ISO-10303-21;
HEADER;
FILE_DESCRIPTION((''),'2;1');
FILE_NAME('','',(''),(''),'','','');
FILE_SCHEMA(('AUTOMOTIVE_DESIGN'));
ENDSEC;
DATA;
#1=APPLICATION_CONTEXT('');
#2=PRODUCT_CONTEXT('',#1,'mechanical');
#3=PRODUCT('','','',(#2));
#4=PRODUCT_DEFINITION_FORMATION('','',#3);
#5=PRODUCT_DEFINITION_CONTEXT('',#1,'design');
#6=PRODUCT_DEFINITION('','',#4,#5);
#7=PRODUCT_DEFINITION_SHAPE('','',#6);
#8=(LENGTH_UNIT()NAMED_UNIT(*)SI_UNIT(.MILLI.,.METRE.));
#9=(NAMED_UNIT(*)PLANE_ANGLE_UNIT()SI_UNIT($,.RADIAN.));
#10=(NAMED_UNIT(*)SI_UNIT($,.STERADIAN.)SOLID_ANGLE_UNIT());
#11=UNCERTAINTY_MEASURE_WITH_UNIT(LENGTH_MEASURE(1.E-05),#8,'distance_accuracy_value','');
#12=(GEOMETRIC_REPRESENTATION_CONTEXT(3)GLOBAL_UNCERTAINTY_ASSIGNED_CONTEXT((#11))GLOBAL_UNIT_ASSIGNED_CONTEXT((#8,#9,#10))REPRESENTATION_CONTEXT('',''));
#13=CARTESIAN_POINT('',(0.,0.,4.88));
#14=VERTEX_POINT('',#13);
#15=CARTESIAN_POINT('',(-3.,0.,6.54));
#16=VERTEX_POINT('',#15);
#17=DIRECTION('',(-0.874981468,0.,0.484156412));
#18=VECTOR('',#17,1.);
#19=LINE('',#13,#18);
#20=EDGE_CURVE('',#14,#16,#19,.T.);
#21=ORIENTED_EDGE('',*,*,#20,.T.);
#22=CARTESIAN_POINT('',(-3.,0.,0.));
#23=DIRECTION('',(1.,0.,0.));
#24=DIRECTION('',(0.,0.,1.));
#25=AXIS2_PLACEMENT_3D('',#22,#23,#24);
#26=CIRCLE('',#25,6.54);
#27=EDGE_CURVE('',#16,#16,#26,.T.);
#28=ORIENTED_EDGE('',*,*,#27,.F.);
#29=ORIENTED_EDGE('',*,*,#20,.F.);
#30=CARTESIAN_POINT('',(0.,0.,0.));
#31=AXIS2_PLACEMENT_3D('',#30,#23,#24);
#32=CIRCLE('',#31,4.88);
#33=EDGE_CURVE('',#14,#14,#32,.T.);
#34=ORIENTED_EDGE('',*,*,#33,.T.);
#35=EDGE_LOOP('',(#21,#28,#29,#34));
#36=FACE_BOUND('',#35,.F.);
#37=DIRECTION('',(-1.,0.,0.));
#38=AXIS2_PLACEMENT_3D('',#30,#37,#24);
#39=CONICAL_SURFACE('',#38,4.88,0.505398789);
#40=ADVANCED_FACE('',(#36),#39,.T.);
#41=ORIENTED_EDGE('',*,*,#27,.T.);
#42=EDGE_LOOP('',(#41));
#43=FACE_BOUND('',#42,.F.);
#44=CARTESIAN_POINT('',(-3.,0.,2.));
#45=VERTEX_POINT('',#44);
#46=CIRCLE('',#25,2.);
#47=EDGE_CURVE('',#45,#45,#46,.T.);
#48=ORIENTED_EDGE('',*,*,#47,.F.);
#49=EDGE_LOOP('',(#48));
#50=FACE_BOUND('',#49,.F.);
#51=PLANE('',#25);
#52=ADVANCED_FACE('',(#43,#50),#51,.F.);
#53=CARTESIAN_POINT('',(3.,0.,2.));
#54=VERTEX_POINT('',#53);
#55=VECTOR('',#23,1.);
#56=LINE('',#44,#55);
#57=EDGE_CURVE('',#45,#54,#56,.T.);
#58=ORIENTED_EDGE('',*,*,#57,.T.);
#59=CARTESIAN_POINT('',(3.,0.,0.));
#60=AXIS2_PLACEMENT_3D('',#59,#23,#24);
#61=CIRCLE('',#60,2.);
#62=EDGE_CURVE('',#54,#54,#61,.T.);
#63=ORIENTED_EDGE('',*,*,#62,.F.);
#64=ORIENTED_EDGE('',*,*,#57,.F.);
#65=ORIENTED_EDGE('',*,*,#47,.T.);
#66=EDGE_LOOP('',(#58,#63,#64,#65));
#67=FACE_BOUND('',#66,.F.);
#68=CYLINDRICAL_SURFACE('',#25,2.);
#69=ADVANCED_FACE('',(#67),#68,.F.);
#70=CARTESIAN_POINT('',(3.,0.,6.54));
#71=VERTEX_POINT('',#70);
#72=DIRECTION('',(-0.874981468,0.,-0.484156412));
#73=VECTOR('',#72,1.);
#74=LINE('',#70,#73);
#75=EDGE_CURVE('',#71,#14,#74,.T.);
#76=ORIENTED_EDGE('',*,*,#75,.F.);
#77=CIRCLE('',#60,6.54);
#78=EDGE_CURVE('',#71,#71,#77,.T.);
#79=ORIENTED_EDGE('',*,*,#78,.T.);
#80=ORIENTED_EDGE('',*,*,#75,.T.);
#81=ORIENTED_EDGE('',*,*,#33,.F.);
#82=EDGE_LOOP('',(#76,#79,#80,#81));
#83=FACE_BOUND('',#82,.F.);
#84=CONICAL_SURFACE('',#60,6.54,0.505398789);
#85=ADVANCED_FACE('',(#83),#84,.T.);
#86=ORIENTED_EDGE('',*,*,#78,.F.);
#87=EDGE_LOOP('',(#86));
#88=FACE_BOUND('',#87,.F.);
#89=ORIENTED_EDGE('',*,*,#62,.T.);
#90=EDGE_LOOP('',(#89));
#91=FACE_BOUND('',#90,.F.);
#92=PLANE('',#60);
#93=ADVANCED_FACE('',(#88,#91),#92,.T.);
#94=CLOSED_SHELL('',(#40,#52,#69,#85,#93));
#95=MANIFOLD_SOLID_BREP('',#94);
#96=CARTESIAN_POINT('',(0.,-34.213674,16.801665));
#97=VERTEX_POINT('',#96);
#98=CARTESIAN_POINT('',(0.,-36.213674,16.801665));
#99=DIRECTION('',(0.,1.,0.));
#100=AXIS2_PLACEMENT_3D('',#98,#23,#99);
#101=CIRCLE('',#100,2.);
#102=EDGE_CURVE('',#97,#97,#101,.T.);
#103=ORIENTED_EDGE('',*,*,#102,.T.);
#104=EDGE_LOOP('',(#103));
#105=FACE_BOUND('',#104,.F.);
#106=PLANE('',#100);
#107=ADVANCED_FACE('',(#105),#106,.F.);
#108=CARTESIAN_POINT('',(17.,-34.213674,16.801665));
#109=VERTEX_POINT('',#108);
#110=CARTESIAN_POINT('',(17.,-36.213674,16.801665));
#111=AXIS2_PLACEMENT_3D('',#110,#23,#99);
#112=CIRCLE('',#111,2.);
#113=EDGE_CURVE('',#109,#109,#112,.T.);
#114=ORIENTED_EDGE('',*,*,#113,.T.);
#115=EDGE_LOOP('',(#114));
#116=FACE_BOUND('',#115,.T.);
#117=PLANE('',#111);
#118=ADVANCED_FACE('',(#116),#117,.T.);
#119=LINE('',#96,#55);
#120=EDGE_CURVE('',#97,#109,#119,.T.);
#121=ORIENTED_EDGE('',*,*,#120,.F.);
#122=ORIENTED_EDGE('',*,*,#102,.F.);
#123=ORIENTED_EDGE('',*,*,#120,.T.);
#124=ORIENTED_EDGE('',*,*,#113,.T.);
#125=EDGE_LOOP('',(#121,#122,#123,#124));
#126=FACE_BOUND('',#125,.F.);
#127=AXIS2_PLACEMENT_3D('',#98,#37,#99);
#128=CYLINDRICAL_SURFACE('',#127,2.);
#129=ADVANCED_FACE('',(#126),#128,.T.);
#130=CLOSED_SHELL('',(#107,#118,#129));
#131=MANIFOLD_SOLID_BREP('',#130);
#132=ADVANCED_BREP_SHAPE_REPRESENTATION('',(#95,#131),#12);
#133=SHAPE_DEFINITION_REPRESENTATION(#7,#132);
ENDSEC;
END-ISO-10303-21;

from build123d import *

# Parameters (mm, degrees)
F2_R     = 2
F3_DEPTH = 17


with BuildPart() as f1:
    # F0 (on Front) → F1 (revolve)
    with BuildSketch(Plane.XZ):
        Polygon((-3, 2), (0, 2), (3, 2), (3, 6.54), (0, 4.88), (-3, 6.54), align=None)
    revolve(axis=Axis((1.37769, 0, 0), (1, 0, 0)))


with BuildPart() as f3:
    # F2 (on Right) → F3 (new body)
    with BuildSketch(Plane.YZ):
        with Locations((-36.213674, 16.801665)):
            Circle(F2_R)
    extrude(amount=F3_DEPTH)


solid = Compound([f1.part, f3.part])
